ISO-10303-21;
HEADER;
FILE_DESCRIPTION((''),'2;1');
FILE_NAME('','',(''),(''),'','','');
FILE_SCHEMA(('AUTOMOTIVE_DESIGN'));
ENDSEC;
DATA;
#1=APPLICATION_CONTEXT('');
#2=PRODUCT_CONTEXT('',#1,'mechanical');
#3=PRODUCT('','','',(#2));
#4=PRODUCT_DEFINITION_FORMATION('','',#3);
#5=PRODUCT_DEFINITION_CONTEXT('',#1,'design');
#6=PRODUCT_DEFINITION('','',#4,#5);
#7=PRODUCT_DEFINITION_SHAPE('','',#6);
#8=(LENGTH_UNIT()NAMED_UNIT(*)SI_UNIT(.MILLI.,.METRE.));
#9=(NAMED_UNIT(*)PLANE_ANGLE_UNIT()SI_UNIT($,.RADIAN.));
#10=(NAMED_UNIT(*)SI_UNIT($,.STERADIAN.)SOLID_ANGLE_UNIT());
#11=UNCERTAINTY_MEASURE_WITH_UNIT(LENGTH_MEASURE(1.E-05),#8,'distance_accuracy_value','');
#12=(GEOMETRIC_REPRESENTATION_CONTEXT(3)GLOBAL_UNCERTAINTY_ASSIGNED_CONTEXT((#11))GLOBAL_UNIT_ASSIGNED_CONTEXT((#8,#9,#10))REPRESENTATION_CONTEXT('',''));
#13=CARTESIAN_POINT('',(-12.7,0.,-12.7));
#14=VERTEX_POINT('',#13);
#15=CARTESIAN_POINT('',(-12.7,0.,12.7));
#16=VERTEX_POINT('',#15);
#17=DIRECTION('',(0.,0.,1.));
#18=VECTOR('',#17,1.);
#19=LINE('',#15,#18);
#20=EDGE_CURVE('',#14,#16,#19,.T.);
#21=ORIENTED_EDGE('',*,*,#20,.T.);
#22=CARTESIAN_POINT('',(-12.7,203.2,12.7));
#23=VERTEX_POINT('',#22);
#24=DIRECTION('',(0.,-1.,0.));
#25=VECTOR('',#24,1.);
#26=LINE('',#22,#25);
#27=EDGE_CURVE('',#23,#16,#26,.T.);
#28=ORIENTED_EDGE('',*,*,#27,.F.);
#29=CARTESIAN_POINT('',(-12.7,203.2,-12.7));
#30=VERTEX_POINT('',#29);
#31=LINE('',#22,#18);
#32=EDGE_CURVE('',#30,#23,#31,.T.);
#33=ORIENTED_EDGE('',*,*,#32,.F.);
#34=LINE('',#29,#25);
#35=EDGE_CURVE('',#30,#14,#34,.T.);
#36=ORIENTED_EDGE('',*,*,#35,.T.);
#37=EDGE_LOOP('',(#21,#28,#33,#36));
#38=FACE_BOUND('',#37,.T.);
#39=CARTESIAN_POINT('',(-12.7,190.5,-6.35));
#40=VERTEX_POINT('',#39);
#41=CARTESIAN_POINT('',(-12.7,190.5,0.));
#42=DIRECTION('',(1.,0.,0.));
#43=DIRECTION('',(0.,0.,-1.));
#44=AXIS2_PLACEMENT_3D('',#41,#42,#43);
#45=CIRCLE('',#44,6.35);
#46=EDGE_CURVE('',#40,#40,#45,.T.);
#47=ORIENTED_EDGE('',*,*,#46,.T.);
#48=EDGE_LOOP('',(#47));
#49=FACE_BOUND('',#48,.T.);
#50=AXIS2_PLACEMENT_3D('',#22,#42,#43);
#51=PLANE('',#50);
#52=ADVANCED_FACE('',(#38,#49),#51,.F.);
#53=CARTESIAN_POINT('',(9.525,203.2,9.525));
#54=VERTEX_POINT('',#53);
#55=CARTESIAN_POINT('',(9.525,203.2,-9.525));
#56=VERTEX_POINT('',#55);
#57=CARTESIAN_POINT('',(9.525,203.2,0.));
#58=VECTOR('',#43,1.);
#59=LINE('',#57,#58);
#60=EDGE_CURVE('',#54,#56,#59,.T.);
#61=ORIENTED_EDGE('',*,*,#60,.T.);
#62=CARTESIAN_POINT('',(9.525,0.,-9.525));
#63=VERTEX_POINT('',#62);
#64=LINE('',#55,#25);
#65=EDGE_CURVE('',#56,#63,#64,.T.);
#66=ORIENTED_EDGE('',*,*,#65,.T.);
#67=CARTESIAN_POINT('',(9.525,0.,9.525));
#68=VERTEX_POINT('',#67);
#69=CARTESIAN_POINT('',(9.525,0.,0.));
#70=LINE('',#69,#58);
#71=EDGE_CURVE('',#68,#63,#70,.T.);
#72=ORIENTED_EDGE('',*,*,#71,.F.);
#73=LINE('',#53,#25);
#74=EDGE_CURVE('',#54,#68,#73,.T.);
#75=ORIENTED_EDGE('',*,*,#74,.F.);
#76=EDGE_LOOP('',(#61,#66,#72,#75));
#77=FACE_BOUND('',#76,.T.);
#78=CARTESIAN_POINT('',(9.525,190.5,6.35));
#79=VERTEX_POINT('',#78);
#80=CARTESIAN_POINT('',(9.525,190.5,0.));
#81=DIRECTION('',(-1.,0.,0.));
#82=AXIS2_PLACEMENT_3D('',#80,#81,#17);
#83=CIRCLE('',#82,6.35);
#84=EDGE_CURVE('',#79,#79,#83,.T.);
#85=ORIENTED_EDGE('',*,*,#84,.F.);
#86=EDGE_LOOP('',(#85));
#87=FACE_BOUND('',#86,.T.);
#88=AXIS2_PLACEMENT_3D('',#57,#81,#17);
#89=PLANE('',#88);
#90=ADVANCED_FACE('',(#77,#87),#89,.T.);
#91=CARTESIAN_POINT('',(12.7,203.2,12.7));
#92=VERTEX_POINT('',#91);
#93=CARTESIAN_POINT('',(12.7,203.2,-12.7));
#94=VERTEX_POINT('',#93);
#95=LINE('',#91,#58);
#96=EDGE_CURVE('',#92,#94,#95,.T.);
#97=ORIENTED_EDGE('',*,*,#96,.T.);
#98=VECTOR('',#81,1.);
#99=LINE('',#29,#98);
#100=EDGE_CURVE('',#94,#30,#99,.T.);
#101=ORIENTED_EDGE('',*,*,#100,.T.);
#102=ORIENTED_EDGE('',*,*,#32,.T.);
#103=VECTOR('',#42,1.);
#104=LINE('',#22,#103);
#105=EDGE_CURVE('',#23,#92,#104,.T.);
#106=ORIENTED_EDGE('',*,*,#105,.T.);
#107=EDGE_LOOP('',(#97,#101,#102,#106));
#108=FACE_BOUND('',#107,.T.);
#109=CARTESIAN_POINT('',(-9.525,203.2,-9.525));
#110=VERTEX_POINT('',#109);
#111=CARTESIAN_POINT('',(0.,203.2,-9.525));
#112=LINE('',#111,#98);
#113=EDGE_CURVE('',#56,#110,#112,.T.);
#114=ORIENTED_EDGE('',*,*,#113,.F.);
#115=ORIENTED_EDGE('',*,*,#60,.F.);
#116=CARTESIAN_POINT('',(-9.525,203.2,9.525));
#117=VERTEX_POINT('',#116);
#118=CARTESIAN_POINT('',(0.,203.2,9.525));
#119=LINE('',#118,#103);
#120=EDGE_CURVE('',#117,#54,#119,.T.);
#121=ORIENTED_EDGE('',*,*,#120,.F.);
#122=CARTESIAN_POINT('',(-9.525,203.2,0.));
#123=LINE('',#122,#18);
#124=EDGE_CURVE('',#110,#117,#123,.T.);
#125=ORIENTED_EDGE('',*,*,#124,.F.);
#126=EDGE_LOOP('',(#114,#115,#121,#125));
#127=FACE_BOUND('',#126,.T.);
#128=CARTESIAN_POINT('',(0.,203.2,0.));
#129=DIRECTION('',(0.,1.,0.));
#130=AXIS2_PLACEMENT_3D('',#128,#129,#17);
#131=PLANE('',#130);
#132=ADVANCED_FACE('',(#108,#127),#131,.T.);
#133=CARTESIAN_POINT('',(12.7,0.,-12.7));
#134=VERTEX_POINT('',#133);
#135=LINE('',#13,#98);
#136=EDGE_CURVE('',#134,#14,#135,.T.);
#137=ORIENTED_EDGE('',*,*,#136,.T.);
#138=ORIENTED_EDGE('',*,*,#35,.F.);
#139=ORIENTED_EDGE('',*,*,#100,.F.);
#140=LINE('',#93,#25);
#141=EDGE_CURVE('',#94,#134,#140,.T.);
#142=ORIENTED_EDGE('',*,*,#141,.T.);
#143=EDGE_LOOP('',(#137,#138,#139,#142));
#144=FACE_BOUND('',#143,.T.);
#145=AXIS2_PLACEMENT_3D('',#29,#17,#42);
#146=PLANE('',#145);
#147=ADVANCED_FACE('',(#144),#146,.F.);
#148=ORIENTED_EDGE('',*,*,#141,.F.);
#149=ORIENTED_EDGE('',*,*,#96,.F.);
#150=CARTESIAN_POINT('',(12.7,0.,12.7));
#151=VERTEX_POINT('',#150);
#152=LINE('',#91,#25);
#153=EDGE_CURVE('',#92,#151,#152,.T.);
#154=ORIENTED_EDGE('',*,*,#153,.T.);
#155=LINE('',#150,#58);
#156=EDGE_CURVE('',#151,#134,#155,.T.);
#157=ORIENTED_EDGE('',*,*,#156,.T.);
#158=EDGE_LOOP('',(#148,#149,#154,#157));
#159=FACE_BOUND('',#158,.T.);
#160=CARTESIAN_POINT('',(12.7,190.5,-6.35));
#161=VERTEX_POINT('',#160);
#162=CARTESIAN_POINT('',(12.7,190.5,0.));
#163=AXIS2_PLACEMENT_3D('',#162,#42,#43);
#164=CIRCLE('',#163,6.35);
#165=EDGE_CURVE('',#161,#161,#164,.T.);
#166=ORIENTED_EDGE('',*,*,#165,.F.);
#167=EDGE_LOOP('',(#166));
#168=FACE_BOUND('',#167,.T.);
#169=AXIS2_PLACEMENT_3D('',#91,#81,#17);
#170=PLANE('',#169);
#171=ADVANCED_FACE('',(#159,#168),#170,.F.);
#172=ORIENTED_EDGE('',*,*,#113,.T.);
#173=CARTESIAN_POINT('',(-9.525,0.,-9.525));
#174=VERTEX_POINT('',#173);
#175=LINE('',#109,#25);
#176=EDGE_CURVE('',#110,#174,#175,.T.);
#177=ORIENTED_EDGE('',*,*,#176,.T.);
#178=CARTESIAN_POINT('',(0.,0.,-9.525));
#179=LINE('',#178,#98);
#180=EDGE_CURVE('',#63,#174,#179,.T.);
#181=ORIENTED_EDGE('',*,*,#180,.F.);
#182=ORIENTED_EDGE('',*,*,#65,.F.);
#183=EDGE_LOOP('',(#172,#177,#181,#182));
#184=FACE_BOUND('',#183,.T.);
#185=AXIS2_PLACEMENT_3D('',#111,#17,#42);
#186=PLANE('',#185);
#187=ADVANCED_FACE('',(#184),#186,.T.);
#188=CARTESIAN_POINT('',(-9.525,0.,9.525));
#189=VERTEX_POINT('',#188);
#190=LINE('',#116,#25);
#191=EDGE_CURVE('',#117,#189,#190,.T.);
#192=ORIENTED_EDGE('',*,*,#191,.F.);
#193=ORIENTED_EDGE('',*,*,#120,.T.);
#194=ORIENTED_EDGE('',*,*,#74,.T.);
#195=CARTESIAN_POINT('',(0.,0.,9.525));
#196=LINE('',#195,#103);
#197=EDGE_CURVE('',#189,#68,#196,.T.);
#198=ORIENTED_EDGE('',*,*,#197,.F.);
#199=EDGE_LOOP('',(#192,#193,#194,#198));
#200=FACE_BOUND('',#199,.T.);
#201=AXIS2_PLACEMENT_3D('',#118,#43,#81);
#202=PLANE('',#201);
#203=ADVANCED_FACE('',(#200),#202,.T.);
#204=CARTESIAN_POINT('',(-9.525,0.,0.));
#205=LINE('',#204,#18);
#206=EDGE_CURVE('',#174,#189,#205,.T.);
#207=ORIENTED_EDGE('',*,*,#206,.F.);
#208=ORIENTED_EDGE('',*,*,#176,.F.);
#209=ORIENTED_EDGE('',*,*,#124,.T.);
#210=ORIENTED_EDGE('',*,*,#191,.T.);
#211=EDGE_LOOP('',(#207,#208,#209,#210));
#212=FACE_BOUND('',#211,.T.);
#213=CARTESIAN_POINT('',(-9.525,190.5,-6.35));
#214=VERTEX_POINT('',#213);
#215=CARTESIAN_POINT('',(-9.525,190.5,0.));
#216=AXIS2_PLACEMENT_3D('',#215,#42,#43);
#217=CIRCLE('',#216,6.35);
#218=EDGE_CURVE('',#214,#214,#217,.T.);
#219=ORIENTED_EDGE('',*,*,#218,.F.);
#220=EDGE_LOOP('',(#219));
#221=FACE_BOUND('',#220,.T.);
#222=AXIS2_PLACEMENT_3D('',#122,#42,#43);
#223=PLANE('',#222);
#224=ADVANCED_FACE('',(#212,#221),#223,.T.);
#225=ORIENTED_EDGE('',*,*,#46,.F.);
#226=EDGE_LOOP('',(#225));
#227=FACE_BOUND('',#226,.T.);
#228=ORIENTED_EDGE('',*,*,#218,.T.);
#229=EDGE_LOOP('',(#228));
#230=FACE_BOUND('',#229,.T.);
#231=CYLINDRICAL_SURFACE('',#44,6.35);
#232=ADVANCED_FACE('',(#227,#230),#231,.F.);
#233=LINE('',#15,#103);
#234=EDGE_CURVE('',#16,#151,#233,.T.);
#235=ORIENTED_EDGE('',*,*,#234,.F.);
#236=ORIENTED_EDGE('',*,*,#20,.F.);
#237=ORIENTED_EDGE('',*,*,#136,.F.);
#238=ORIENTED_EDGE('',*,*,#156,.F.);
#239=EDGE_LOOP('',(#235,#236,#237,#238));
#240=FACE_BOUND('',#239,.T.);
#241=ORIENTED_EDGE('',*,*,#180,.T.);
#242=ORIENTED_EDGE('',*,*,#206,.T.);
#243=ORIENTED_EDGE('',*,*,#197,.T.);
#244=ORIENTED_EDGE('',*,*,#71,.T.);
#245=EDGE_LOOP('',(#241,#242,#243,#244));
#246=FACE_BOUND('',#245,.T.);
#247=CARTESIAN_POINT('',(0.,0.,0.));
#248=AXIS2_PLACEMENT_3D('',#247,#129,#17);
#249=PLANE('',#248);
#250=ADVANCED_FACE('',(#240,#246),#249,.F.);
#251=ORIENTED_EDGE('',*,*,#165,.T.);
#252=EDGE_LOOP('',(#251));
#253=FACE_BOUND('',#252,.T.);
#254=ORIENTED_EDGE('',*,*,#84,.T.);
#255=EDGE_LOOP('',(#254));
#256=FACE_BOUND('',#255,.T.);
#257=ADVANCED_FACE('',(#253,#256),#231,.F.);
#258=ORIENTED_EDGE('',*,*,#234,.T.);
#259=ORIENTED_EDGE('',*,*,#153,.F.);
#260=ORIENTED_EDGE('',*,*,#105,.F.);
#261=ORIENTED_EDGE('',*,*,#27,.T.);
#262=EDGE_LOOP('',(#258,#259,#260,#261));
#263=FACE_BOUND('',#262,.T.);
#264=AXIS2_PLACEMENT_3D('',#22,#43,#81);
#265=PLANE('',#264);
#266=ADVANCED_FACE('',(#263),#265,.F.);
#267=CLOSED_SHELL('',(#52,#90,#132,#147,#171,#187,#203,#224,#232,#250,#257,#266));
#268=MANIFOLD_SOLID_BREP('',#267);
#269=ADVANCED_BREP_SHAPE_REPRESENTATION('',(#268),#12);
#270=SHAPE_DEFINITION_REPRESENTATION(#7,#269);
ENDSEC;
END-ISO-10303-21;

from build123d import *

# Parameters (mm, degrees)
SKETCH1_W           = 25.4
SKETCH1_H           = 25.4
SKETCH1_W_2         = 19.05
SKETCH1_H_2         = 19.05
EXTRUDE_THIN1_DEPTH = 203.2
SKETCH2_R           = 6.35
CUT_EXTRUDE1_DEPTH  = 206.174779152


with BuildPart() as part:
    # Sketch1 → Extrude-Thin1 (new body)
    with BuildSketch(Plane(origin=(0, 0, 0), x_dir=(1, 0, 0), z_dir=(0, 1, 0))):
        Rectangle(SKETCH1_W, SKETCH1_H)
        Rectangle(SKETCH1_W_2, SKETCH1_H_2, mode=Mode.SUBTRACT)
    extrude(amount=EXTRUDE_THIN1_DEPTH)

    # Sketch2 → Cut-Extrude1 (cut, through all)
    with BuildSketch(Plane(origin=(12.7, 0, 0), x_dir=(0, 0, -1), z_dir=(1, 0, 0))):
        with Locations((0, 190.5)):
            Circle(SKETCH2_R)
    extrude(amount=-CUT_EXTRUDE1_DEPTH, mode=Mode.SUBTRACT)


solid = part.part
